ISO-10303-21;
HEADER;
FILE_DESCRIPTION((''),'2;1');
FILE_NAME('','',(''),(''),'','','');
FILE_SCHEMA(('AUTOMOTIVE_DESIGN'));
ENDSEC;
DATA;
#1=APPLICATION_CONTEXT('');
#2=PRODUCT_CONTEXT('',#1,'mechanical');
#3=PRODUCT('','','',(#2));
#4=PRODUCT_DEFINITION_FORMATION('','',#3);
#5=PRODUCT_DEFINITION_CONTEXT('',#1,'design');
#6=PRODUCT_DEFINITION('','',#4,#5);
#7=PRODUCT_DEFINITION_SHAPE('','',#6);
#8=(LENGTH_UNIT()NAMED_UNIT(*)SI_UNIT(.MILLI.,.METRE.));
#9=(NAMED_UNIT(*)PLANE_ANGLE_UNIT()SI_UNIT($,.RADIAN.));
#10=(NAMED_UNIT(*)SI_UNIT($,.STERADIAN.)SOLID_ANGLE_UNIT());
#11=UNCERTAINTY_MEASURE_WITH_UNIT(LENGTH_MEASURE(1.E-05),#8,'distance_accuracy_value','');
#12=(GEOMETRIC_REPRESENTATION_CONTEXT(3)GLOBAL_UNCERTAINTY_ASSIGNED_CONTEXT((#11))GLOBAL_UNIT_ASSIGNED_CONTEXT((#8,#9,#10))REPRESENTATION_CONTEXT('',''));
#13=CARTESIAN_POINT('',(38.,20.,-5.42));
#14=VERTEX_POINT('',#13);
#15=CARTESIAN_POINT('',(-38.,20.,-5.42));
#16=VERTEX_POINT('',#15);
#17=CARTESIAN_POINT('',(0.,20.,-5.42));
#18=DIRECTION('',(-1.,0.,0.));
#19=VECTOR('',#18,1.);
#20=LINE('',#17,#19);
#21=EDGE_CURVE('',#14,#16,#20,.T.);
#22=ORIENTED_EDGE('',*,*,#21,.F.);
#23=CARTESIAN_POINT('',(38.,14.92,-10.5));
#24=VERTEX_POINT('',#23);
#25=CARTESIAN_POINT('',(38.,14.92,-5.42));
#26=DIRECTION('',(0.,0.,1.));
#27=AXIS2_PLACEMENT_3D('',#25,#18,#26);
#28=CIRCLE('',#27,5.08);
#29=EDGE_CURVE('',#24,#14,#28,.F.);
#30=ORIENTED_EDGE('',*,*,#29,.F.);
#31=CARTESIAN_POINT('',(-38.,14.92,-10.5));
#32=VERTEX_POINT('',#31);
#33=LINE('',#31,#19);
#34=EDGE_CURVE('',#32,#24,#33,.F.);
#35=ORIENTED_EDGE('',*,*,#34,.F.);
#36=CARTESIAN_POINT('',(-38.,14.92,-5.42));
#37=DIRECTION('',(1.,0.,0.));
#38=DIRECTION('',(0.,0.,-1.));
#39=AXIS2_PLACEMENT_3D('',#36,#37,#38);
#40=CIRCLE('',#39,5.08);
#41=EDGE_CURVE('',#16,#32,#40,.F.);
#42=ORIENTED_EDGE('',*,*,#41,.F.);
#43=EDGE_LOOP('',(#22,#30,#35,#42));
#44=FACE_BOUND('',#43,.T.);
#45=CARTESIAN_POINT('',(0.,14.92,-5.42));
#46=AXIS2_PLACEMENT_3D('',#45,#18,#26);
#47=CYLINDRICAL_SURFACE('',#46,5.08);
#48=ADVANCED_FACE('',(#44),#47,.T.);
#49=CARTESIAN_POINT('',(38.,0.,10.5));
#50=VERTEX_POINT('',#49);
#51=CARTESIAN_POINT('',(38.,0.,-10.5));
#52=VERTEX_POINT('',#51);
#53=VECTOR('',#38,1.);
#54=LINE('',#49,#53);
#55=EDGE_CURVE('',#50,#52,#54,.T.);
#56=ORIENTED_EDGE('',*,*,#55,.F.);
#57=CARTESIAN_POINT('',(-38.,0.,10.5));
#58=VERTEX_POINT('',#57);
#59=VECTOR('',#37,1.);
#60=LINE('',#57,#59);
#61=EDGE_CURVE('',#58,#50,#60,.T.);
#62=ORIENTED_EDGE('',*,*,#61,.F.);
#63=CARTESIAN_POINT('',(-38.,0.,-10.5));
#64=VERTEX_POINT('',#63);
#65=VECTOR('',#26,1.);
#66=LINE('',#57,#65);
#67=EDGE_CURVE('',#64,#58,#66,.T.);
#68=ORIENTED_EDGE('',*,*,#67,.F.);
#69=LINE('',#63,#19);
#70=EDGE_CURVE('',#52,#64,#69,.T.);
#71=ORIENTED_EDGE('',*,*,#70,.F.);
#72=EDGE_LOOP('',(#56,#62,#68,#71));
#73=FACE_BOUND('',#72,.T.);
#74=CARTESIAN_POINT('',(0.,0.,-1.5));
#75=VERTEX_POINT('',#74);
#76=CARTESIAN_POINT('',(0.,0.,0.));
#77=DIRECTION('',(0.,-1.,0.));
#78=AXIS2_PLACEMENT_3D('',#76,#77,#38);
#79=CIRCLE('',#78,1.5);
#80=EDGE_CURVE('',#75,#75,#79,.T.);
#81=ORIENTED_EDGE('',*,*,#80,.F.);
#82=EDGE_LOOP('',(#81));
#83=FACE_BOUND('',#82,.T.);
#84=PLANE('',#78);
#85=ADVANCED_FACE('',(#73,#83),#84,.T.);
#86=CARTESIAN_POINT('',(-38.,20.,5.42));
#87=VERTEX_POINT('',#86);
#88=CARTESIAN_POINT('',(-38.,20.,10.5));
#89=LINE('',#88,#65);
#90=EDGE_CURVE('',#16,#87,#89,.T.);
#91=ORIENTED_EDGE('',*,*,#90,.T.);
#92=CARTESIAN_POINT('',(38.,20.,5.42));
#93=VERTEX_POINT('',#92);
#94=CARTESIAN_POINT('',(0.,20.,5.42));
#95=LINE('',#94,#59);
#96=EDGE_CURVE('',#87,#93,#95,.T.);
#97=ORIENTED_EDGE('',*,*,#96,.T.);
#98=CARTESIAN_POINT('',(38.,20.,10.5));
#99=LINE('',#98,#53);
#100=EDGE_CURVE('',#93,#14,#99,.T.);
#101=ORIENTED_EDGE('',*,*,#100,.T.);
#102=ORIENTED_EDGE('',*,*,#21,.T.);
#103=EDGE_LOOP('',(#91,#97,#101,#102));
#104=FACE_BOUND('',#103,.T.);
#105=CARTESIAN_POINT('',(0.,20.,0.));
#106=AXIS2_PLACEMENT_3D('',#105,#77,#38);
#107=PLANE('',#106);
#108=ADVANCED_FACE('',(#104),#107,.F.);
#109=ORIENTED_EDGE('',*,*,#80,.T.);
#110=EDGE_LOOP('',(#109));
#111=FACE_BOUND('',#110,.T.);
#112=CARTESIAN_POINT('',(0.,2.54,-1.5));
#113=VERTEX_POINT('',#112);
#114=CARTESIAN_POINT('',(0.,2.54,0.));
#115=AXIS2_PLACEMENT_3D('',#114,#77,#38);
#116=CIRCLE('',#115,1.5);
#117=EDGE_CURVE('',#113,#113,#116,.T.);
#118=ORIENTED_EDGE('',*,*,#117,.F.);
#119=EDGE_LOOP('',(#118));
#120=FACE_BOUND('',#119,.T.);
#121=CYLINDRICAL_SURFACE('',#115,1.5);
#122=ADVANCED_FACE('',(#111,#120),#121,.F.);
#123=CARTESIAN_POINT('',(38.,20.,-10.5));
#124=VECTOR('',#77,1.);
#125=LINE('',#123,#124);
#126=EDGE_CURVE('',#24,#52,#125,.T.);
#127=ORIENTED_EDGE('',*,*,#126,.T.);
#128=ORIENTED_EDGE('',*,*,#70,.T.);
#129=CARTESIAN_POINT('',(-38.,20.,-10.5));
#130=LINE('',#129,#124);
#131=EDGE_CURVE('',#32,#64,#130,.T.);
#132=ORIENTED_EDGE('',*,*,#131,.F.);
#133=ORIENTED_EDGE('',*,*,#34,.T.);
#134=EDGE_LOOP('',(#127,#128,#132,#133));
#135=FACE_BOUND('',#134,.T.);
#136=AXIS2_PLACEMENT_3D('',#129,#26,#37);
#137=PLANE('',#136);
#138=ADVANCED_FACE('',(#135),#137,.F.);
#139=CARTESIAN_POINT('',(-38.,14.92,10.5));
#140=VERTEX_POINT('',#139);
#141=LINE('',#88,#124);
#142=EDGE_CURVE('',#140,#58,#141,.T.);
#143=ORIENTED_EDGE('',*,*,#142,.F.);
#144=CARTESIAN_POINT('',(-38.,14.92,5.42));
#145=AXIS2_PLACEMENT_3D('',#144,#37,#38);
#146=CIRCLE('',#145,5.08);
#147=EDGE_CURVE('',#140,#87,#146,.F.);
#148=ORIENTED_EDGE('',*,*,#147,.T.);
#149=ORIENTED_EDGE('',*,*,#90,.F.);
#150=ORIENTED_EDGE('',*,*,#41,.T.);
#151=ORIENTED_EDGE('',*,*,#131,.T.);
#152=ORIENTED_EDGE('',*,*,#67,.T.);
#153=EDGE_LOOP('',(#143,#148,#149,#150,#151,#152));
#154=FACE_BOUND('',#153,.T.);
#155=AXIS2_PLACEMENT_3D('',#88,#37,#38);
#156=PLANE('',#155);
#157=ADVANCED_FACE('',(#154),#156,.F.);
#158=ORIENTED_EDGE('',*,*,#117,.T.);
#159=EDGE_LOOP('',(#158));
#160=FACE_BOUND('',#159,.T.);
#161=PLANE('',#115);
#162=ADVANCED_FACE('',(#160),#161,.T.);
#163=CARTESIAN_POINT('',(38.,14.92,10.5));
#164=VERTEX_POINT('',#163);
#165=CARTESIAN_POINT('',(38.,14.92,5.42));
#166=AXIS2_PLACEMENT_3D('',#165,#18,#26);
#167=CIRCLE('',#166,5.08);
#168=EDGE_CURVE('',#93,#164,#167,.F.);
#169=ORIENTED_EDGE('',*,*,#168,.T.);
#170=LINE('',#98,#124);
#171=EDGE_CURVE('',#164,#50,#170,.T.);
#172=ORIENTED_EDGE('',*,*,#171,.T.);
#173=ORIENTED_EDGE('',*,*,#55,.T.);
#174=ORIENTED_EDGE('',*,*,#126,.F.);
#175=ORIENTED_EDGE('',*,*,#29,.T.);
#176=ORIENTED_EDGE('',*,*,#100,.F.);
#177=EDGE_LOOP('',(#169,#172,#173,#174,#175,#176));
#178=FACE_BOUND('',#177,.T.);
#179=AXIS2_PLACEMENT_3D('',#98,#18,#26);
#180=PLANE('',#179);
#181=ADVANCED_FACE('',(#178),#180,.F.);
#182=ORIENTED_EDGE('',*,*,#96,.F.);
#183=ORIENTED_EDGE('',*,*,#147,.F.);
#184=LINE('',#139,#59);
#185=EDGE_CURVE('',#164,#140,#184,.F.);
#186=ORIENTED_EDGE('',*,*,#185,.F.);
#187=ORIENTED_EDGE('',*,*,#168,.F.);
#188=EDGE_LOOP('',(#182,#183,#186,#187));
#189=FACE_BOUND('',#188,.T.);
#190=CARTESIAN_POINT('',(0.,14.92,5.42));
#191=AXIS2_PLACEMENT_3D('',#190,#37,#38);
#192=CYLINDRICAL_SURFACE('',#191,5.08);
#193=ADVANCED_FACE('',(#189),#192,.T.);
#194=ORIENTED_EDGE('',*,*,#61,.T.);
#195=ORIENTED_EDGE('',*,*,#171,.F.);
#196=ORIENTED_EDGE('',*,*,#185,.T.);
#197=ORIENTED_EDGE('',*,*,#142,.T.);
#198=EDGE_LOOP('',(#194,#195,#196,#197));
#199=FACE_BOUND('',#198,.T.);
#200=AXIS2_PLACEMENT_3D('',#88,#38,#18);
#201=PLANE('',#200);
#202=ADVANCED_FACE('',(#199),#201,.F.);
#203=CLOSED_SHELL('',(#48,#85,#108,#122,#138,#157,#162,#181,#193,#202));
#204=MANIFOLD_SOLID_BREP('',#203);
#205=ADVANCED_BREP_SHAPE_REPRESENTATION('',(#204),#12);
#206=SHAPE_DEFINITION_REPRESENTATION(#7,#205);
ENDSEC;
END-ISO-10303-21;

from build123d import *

# Parameters (mm, degrees)
SKETCH1_W           = 76
SKETCH1_H           = 21
BOSS_EXTRUDE1_DEPTH = 20
FILLET1_R           = 5.08
SKETCH2_R           = 1.5
CUT_EXTRUDE1_DEPTH  = 2.54


with BuildPart() as part:
    # Sketch1 → Boss-Extrude1 (new body)
    with BuildSketch(Plane(origin=(0, 0, 0), x_dir=(1, 0, 0), z_dir=(0, 1, 0))):
        Rectangle(SKETCH1_W, SKETCH1_H)
    extrude(amount=BOSS_EXTRUDE1_DEPTH)

    # Fillet1
    fillet1_edges = [part.edges().sort_by_distance(p)[0] for p in [
        (0, 20, 10.5),
        (0, 20, -10.5),
    ]]
    fillet(fillet1_edges, radius=FILLET1_R)

    # Sketch2 → Cut-Extrude1 (cut)
    with BuildSketch(Plane.XZ):
        Circle(SKETCH2_R)
    extrude(amount=-CUT_EXTRUDE1_DEPTH, mode=Mode.SUBTRACT)


solid = part.part
